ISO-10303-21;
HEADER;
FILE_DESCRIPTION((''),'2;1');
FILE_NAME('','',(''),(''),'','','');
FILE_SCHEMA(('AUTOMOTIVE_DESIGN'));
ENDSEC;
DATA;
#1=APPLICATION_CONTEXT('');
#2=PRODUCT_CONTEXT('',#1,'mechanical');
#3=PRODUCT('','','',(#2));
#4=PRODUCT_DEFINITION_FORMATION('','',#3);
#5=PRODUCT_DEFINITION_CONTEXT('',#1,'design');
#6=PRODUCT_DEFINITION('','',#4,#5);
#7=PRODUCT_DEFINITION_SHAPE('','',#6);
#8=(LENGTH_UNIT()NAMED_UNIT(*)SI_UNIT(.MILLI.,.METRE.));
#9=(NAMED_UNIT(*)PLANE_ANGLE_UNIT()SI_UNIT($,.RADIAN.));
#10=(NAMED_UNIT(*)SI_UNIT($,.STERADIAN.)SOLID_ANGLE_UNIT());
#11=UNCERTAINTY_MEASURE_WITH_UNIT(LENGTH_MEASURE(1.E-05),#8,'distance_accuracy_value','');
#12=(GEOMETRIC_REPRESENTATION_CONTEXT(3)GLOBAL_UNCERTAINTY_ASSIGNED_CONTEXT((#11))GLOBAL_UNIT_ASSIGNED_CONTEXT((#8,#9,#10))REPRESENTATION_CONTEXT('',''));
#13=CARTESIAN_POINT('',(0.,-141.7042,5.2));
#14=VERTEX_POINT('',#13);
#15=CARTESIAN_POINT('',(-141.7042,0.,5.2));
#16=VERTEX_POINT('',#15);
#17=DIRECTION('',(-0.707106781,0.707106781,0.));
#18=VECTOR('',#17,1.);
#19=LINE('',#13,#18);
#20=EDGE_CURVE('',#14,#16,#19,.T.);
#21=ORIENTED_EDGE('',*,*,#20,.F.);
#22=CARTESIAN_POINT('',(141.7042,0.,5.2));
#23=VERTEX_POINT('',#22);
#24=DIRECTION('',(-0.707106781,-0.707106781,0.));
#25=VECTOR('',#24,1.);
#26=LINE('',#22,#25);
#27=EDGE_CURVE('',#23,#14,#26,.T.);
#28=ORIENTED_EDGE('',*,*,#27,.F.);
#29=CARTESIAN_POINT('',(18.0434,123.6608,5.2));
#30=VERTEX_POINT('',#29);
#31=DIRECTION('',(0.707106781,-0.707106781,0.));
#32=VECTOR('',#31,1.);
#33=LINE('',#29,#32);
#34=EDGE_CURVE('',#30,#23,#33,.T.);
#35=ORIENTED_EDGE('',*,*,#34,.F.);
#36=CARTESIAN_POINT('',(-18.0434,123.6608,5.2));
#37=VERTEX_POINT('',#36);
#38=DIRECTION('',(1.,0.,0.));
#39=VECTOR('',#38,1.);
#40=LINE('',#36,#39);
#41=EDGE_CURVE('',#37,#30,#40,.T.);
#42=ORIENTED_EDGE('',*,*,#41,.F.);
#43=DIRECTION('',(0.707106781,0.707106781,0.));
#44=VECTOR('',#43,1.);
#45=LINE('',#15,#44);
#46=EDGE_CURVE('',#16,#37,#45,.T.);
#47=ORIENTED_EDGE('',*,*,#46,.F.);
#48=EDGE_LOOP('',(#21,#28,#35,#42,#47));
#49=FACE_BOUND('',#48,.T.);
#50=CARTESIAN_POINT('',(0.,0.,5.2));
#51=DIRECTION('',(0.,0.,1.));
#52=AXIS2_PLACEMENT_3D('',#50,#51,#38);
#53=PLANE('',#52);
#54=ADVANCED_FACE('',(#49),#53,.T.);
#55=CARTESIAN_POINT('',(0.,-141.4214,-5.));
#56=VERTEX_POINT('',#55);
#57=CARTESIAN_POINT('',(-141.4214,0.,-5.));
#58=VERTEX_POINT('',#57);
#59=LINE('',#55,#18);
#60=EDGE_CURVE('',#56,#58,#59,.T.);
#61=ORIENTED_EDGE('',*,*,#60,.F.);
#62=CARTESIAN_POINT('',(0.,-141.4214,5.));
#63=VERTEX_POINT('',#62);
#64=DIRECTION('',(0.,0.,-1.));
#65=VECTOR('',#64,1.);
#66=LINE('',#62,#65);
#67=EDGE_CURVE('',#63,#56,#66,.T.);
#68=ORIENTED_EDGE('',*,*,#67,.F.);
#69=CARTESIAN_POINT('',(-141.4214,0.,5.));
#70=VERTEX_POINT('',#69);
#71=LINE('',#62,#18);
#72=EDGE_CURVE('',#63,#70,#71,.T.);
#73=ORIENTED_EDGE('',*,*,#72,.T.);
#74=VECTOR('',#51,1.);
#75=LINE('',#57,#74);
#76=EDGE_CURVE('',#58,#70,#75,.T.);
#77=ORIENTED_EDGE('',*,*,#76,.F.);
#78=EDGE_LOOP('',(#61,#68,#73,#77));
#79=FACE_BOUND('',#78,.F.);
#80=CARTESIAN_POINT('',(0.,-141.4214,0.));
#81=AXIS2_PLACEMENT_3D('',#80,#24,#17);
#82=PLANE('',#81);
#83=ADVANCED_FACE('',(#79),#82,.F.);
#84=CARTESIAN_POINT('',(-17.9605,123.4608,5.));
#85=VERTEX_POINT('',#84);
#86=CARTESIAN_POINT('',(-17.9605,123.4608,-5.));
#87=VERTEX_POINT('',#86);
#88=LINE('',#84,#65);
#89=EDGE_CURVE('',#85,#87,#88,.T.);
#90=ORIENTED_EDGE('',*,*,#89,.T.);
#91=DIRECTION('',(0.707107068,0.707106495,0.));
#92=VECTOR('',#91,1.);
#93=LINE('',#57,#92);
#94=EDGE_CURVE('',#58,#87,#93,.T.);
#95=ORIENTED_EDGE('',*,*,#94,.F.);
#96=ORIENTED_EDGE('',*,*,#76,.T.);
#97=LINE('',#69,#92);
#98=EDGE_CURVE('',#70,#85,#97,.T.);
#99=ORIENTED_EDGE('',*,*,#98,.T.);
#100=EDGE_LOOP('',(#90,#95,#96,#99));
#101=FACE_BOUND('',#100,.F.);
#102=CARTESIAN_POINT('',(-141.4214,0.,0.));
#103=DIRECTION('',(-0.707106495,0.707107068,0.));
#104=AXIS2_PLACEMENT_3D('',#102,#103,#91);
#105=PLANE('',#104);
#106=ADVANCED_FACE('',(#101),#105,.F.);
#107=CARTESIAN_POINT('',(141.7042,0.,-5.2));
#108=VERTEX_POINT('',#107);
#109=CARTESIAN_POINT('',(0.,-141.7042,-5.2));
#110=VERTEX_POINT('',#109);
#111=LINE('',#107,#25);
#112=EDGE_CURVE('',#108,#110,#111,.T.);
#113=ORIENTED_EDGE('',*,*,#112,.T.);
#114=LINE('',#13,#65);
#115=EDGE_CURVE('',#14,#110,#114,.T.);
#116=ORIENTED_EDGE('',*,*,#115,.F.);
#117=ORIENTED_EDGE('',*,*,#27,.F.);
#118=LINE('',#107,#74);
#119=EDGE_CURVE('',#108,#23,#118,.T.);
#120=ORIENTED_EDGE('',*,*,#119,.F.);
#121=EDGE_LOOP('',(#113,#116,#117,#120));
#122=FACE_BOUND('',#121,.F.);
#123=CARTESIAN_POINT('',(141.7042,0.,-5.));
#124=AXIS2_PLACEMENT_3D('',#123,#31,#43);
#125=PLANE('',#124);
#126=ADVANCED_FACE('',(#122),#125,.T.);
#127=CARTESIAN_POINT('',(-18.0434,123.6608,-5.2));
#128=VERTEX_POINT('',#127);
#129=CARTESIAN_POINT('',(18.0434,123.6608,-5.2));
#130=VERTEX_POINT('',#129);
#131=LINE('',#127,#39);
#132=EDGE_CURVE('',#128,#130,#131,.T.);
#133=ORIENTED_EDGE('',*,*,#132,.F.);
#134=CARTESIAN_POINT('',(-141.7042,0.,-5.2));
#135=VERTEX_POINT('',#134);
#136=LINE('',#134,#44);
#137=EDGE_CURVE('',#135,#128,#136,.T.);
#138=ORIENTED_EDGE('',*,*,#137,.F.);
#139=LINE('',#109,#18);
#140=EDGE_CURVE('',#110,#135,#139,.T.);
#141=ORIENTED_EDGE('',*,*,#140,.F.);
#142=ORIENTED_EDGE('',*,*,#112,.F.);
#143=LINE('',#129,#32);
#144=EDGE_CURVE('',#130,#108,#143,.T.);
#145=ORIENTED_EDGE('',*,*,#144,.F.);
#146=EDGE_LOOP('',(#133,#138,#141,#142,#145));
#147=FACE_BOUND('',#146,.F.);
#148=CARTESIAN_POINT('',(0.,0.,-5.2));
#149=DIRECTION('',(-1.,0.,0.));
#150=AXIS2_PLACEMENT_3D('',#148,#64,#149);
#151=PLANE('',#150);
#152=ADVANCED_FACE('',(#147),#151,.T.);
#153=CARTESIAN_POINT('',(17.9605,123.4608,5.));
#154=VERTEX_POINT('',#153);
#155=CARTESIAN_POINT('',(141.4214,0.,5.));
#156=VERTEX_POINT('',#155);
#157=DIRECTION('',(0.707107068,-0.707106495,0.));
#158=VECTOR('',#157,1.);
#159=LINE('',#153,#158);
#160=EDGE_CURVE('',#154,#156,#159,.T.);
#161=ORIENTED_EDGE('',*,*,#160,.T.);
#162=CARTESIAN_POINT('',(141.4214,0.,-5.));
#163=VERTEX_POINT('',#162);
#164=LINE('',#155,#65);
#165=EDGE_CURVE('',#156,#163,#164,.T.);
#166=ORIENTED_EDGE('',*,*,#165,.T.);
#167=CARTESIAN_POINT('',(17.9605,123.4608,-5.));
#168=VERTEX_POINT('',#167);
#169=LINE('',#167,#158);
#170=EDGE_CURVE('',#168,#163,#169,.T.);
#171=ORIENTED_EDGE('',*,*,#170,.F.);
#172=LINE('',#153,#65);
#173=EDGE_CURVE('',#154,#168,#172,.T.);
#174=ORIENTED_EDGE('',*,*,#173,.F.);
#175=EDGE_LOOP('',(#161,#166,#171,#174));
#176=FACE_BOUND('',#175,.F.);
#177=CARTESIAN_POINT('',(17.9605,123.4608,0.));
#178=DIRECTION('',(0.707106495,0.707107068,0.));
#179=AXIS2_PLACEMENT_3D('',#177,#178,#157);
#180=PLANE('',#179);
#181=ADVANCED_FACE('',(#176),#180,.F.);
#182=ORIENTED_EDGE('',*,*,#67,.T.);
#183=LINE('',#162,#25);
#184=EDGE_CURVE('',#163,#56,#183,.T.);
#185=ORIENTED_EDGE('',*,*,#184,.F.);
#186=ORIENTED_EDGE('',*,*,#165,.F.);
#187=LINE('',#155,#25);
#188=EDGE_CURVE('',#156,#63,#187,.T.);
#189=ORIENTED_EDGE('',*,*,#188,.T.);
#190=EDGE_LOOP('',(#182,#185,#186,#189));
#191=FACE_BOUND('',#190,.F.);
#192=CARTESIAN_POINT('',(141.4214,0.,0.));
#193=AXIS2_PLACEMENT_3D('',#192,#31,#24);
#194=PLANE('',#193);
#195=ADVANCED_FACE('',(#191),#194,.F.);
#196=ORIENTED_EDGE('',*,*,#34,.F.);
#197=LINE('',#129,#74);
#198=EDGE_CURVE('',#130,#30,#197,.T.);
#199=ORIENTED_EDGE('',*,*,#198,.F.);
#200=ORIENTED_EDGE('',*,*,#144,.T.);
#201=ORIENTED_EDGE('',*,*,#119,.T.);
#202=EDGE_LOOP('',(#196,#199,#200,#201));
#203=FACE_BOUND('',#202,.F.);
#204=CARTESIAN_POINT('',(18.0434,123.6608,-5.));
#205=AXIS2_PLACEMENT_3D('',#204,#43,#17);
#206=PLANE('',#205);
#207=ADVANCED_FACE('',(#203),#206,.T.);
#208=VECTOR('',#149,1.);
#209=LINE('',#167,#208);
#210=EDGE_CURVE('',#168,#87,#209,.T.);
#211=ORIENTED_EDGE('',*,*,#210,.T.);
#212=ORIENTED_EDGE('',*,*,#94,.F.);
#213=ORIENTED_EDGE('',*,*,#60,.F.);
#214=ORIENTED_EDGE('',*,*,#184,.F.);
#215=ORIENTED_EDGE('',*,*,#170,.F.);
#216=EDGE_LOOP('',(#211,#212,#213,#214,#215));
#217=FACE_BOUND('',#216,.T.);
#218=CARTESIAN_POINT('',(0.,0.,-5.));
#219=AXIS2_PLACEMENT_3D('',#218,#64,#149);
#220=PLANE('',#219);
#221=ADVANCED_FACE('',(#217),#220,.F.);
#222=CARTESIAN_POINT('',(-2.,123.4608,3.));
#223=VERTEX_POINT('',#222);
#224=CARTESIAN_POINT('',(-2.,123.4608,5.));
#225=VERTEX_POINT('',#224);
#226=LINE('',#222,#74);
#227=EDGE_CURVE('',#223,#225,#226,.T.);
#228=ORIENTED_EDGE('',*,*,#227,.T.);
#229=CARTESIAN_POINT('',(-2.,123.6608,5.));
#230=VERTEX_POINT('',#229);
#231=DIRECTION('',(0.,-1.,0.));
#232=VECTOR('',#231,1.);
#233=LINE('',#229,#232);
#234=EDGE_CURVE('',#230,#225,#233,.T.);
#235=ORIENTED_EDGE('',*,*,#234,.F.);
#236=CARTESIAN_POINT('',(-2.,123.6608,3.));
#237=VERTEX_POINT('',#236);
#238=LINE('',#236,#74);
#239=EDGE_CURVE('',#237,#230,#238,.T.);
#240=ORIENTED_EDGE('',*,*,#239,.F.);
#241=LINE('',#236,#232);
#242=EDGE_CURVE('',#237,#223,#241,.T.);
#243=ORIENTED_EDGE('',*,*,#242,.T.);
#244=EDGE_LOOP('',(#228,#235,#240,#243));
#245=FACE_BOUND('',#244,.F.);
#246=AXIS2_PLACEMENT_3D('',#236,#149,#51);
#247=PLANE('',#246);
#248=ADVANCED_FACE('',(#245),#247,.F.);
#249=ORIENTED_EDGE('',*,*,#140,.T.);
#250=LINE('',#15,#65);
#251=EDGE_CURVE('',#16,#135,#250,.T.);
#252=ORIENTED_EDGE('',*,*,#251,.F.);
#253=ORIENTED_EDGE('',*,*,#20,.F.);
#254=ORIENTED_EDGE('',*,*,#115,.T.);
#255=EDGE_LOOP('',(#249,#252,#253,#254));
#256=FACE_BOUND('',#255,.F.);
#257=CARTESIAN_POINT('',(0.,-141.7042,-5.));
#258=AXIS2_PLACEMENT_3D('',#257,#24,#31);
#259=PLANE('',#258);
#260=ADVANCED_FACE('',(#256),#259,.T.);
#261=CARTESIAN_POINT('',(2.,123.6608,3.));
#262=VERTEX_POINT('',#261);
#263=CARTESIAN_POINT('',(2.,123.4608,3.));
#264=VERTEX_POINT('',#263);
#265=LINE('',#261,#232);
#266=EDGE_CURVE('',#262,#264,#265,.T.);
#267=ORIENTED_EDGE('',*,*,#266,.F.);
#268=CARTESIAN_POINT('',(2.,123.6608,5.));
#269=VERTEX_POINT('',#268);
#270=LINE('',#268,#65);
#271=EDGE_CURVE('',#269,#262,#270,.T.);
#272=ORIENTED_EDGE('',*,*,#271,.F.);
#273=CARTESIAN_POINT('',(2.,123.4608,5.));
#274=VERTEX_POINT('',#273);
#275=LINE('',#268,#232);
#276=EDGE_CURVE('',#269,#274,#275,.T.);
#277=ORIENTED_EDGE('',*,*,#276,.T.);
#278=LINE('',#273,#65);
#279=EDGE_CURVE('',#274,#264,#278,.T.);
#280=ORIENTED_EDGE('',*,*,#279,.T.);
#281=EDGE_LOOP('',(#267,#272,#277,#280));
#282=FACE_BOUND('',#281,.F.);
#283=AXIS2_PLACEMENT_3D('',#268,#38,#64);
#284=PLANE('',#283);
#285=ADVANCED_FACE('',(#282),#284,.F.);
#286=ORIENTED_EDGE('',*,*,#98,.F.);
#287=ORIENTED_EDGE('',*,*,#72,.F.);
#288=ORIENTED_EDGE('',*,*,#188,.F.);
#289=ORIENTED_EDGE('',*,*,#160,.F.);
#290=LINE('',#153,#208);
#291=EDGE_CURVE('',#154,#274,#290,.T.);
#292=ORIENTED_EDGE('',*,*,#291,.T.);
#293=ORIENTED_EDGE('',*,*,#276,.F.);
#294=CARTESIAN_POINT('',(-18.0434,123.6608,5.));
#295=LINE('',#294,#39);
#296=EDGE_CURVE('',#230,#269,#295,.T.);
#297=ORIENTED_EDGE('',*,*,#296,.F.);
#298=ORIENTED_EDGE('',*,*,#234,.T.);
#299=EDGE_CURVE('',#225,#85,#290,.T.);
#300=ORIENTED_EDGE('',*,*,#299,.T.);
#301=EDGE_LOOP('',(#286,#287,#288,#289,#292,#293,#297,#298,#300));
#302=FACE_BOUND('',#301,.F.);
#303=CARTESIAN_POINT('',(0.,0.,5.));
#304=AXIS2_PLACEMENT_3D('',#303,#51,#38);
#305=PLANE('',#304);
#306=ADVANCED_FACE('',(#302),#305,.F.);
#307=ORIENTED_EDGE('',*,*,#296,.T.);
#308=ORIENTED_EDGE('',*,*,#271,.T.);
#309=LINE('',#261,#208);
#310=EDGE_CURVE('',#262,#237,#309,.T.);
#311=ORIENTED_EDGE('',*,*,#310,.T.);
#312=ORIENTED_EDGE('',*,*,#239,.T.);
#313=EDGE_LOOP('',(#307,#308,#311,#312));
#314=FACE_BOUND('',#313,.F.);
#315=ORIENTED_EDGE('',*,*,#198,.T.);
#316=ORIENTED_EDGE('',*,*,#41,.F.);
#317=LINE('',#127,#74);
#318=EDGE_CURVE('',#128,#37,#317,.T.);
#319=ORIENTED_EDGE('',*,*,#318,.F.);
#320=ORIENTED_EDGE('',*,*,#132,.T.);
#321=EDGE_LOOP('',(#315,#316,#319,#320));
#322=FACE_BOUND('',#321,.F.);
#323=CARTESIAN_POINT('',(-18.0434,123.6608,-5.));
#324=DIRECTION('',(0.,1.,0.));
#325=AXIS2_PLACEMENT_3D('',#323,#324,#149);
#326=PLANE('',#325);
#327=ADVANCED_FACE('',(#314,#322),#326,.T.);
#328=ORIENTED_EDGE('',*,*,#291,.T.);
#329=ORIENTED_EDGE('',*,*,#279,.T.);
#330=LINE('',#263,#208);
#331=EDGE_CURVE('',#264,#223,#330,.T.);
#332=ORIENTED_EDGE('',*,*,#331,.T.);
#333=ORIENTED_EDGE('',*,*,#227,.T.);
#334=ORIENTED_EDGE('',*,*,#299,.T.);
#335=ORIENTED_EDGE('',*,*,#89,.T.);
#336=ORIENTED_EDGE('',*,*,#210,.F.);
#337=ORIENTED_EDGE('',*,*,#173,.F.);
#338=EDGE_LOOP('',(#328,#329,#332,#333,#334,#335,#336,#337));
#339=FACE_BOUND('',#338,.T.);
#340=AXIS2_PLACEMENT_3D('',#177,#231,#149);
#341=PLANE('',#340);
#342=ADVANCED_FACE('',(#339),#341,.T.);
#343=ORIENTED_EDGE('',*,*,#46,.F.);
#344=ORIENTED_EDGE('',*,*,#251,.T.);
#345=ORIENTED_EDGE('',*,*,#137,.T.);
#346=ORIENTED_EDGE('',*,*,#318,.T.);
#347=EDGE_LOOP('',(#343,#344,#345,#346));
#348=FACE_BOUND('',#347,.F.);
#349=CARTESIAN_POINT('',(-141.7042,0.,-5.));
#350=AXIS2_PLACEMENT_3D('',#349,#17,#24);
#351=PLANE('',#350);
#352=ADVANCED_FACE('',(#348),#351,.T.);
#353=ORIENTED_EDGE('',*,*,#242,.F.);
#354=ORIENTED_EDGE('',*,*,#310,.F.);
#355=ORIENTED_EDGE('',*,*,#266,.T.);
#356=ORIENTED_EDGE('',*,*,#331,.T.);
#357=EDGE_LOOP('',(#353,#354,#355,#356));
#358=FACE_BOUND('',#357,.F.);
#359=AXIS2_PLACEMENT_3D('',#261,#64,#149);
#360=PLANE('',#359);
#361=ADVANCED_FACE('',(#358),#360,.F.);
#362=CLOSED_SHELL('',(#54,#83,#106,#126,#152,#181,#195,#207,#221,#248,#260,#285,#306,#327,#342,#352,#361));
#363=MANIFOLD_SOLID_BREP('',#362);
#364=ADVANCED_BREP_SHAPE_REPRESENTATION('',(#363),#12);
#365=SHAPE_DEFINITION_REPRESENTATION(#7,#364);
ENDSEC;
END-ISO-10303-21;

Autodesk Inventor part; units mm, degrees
ref_plane "YZ Plane" through (0, 0, 0) normal (1, 0, 0) x (0, 1, 0)
ref_plane "XZ Plane" through (0, 0, 0) normal (0, 1, 0) x (-1, 0, 0)
ref_plane "XY Plane" through (0, 0, 0) normal (0, 0, 1) x (1, 0, 0)
sketch "Sketch1" plane through (0, 0, 0) normal (0, 0, 1) x (1, 0, 0)
  line L0 (-141.4214, 0) -> (-17.9605, 123.4608)
  line L1 (17.9605, 123.4608) -> (141.4214, 0)
  line L2 (141.4214, 0) -> (0, -141.4214)
  line L3 (0, -141.4214) -> (-141.4214, 0)
  line L4 (-141.4214, 0) -> (141.4214, 0) construction
  line L5 (0, 141.4214) -> (0, -141.4214) construction
  line L6 (17.9605, 123.4608) -> (-17.9605, 123.4608)
  line L7 (-18.0434, 123.6608) -> (18.0434, 123.6608)
  line L8 (18.0434, 123.6608) -> (141.7042, 0)
  line L9 (141.7042, 0) -> (0, -141.7042)
  line L10 (0, -141.7042) -> (-141.7042, 0)
  line L11 (-141.7042, 0) -> (-18.0434, 123.6608)
  point P0 (0, 0)
  dimension "d0" = 200
  dimension "d1" = 200
  dimension "d7" = 25.4
  dimension "d8" = 25.4
  dimension "d9" = 0.2
extrude "Extrusion1" add sketch "Sketch1" along normal mid plane 10
sketch "Sketch4" plane through (-18.0434, 123.6608, 5) normal (0, 1, 0) x (1, 0, 0)
  line L0 (16.0434, 0) -> (20.0434, 0)
  line L1 (20.0434, 0) -> (20.0434, 2)
  line L2 (20.0434, 2) -> (16.0434, 2)
  line L3 (16.0434, 2) -> (16.0434, 0)
  line L4 (36.0867, 0) -> (0, 0) projected
  point P0 (18.0434, 5)
  point P1 (18.0434, 0)
  dimension "d16" = 4
  dimension "d17" = 2
extrude "Extrusion3" cut sketch "Sketch4" against normal up to surface (0.2 mm away)
sketch "Sketch2" plane through (0, 0, 5) normal (0, 0, 1) x (1, 0, 0)
  line L0 (141.7042, 0) -> (0, -141.7042) projected
  line L1 (18.0434, 123.6608) -> (141.7042, 0) projected
  line L2 (-18.0434, 123.6608) -> (18.0434, 123.6608) projected
  line L3 (-141.7042, 0) -> (-18.0434, 123.6608) projected
  line L4 (0, -141.7042) -> (-141.7042, 0) projected
extrude "Extrusion2" add sketch "Sketch2" along normal blind 0.2
mirror "Mirror1" about plane through (0, 0, 0) normal (0, 0, 1) of "Extrusion2"
equation "\"d0\" = ScintillatorWidth"
equation "\"d1\" = ScintillatorHeight"
equation "\"d7\" = cornerChamfer"
equation "\"d8\" = d7"
equation "\"d9\" = silveringThickness"
equation "\"d3\" = ScintillatorThickness"
equation "\"d5\" = silveringThickness"
equation "\"ScintillatorThickness\" = 10"
equation "\"OpticalFiberClearence\" = 0.15"
equation "\"ScintillatorEdgeClearence\" = 3"
equation "\"ScintillatorWidth\" = 200"
equation "\"ScintillatorHeight\" = 200"
equation "\"ShallowTrackDepth\" = 1.3"
equation "\"DeepTrackDepth\" = 5.571"
equation "\"FiberEdgeOffsett\" = 5"
equation "\"LoopLargeTrackRatio\" = 1.5"
equation "\"FiberSensorClerence\" = 0.5"
equation "\"MountingScrewOffsett\" = 9"
equation "\"FoilThickness\" = 0.2"
equation "\"silveringThickness\" = 0.2"
equation "\"mppcMountDepth\" = 6.35"
equation "\"opticalFiberClearence\" = 0.071"
equation "\"scintillatorEdgeClearence\" = 3"
equation "\"fiberEdgeOffsett\" = 5"
equation "\"shallowTrackDepth\" = 1.142"
equation "\"deepTrackDepth\" = 5.571"
equation "\"opticalFiberDiameter\" = 1"
equation "\"mountingSpacing\" = 18"
equation "\"cornerChamfer\" = 25.4"
equation "\"SmallTrackDiameter\" = 175"
properties part number "silvering" material "Silver"
